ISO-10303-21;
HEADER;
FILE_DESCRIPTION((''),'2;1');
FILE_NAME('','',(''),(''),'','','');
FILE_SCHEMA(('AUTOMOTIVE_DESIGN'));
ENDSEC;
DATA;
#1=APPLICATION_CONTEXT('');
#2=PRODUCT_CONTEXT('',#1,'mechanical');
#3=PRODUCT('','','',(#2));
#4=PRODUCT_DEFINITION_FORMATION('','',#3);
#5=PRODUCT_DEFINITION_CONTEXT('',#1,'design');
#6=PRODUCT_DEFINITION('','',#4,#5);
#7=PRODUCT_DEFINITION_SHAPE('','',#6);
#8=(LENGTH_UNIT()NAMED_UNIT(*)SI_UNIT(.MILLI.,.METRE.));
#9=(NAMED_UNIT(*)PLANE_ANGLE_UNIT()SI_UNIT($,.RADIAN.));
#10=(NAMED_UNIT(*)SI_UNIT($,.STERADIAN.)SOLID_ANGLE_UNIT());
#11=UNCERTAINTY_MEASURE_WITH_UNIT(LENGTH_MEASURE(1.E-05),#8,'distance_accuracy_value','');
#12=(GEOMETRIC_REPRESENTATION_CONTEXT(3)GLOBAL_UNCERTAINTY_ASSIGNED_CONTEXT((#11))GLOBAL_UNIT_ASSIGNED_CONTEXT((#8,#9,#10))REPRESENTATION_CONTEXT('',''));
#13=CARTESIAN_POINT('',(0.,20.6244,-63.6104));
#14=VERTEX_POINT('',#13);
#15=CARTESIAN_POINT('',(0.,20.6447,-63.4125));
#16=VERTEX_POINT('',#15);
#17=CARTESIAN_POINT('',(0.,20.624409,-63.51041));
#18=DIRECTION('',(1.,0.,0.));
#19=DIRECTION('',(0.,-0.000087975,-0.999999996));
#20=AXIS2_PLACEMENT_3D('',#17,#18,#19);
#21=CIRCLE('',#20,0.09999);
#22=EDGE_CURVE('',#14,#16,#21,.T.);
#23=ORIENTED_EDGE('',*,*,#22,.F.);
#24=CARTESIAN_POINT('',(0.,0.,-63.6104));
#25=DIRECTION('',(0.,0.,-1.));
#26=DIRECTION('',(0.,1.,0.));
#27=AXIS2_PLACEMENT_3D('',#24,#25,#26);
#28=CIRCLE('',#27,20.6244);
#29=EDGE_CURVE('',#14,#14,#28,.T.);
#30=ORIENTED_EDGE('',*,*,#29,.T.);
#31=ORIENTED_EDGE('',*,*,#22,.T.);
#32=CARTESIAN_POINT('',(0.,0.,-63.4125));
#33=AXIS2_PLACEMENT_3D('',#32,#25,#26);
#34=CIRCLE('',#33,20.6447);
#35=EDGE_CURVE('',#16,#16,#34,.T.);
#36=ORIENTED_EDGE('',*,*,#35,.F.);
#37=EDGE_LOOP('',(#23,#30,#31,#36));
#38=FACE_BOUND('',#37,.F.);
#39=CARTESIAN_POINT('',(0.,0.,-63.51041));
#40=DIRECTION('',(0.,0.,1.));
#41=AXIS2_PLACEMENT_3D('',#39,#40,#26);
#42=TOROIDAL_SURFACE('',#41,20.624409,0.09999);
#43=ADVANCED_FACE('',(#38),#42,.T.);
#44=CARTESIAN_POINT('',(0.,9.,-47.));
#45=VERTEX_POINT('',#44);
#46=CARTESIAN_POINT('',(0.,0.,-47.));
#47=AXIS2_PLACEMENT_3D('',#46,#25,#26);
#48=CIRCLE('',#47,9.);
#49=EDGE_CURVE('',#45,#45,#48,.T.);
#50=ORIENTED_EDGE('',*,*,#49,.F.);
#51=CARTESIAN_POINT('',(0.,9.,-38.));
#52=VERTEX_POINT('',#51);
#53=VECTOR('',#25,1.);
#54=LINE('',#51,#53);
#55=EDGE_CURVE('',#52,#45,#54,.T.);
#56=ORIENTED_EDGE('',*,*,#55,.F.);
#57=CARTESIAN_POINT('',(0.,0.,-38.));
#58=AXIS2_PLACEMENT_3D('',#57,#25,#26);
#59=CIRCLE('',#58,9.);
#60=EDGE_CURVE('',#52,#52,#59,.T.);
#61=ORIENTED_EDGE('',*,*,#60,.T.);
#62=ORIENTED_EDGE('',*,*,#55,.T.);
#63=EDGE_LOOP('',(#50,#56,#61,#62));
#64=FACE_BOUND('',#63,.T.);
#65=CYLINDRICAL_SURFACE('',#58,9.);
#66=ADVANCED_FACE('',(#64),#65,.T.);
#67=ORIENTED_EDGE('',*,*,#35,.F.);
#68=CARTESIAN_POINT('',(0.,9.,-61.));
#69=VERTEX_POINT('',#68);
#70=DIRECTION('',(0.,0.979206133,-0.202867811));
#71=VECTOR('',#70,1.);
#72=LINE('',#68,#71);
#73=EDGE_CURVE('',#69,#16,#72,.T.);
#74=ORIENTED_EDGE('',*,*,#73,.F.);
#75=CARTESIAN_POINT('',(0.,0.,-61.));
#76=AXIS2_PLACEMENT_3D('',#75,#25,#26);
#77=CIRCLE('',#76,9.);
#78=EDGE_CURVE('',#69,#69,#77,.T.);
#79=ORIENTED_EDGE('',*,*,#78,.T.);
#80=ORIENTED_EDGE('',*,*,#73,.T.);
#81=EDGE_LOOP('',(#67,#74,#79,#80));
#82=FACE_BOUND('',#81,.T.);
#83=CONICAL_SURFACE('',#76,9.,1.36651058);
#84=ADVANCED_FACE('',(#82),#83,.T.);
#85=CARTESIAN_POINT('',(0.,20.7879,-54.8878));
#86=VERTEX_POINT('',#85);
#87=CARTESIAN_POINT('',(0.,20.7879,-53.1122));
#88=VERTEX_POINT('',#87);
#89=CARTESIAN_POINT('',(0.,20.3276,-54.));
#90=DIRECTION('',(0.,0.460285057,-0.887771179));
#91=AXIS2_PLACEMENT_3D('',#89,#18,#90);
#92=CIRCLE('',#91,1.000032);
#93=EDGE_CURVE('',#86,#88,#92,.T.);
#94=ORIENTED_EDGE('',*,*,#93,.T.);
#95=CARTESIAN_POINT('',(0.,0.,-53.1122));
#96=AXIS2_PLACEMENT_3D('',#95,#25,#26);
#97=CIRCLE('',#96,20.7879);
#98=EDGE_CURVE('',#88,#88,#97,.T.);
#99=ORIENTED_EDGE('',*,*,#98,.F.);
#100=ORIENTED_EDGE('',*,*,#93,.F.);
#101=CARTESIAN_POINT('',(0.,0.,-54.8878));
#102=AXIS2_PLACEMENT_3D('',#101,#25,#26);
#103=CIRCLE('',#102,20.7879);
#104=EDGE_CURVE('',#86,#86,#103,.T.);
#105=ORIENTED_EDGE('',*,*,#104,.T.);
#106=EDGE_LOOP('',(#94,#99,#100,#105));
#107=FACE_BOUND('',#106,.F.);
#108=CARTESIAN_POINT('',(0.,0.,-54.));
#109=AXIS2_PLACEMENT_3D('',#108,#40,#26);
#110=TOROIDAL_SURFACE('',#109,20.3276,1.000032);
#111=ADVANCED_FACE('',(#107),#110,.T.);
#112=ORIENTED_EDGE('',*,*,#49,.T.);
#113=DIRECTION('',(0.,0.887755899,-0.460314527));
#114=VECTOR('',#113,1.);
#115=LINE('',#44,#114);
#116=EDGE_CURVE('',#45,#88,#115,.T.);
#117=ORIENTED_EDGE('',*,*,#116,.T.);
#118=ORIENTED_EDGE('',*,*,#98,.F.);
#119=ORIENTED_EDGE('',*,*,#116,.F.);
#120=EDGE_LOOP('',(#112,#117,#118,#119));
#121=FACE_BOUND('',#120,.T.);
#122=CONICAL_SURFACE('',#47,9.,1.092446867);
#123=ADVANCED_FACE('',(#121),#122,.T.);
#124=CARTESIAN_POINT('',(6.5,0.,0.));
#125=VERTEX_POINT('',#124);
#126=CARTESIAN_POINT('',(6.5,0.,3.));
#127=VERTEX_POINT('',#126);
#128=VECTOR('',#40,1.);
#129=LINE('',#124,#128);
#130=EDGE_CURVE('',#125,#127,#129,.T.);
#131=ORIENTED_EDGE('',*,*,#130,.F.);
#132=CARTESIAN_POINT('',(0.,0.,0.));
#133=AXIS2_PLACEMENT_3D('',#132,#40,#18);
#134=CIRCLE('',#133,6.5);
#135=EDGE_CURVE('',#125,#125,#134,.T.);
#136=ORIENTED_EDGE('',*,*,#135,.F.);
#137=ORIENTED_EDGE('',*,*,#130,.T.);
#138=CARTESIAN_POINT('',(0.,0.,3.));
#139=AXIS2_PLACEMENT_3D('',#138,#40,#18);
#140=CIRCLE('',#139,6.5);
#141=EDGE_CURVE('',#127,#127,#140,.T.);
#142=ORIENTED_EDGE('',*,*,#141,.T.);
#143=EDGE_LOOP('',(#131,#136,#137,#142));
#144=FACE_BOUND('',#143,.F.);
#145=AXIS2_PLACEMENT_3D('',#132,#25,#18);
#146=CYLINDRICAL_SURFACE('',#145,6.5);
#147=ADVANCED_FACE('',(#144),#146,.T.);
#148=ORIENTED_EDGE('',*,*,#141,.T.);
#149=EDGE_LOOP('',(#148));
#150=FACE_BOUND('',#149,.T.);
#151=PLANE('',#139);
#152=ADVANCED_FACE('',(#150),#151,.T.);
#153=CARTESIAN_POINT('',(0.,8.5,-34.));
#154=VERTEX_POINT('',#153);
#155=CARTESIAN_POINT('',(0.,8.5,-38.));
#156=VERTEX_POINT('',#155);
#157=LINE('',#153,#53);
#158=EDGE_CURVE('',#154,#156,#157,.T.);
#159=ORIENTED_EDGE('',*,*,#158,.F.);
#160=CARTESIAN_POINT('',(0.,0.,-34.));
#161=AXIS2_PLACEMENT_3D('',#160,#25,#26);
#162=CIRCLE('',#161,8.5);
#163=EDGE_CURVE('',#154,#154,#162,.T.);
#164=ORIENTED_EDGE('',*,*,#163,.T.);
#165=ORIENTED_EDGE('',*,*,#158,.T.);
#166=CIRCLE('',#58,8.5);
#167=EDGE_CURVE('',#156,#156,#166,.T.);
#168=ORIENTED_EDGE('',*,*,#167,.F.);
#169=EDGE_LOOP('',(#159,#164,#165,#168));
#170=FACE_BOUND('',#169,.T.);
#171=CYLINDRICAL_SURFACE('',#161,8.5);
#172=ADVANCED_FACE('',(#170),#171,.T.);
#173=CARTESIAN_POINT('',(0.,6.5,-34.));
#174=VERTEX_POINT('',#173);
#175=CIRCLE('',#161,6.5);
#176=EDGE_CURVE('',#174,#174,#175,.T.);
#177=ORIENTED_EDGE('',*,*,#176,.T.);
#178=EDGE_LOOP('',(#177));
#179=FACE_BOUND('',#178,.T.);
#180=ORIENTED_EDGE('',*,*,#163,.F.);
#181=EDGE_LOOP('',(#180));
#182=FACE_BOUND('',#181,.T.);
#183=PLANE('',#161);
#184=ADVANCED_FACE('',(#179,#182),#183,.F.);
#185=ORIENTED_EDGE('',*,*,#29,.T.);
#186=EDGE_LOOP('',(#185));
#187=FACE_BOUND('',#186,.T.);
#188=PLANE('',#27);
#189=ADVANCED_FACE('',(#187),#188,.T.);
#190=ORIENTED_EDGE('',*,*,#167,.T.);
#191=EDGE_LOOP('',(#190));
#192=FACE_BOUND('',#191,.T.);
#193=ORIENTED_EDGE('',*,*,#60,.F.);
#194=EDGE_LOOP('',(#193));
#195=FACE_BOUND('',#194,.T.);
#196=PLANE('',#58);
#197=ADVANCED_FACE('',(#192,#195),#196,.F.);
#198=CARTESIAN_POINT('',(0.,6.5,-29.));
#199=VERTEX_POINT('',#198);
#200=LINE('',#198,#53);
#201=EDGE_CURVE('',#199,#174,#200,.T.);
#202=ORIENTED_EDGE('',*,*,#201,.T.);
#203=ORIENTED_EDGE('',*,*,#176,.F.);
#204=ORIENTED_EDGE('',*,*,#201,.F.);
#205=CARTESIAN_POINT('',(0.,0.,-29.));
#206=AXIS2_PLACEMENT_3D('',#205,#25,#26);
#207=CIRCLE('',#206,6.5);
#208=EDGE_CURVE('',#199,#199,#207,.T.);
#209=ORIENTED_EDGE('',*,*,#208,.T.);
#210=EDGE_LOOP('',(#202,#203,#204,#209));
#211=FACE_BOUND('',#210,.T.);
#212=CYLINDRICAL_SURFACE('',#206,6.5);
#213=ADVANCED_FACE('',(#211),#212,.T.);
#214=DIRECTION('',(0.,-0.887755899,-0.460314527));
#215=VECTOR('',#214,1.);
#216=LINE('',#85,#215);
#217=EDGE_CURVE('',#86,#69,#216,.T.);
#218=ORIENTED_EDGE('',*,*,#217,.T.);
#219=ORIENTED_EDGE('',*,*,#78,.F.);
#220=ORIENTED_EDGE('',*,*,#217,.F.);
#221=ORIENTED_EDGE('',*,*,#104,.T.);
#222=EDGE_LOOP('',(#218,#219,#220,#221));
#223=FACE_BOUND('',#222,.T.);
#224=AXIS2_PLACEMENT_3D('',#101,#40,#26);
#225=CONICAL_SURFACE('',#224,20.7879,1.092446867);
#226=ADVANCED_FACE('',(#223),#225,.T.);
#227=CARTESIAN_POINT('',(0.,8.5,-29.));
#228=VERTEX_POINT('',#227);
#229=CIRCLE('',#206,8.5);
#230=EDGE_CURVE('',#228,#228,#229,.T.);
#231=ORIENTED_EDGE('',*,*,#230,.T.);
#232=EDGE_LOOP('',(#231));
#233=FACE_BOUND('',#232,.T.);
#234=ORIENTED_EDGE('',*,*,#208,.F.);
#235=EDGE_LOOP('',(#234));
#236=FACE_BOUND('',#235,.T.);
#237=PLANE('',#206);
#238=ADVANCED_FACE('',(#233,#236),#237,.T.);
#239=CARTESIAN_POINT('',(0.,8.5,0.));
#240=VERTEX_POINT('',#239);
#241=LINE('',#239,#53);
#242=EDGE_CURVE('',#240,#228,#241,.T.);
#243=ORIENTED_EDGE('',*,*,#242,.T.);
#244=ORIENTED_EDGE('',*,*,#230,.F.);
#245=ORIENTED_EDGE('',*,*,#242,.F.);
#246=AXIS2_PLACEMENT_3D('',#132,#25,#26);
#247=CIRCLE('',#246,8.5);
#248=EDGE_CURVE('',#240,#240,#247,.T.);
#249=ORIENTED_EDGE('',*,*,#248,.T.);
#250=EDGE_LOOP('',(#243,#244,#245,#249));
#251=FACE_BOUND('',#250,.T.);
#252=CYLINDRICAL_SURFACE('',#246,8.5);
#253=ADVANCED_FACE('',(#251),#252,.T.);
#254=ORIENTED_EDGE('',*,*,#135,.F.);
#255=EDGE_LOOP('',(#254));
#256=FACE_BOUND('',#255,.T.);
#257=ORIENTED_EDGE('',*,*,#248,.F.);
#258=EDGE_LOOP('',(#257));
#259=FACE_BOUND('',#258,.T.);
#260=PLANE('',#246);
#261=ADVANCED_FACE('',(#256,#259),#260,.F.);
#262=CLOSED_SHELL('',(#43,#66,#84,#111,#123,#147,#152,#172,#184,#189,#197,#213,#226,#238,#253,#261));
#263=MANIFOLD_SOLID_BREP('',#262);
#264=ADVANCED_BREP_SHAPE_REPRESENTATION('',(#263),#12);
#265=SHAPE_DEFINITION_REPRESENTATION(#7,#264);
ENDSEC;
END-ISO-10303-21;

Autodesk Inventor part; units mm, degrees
ref_plane "YZ Plane" through (0, 0, 0) normal (1, 0, 0) x (0, 1, 0)
ref_plane "XZ Plane" through (0, 0, 0) normal (0, 1, 0) x (-1, 0, 0)
ref_plane "XY Plane" through (0, 0, 0) normal (0, 0, 1) x (1, 0, 0)
sketch "Boceto1" plane through (0, 0, 0) normal (1, 0, 0) x (0, 1, 0)
  line L0 (0, 0) -> (8.5, 0)
  line L1 (8.5, 0) -> (8.5, -29)
  line L2 (8.5, -29) -> (0, -29)
  line L3 (0, -29) -> (0, 0)
  line L4 (0, -29) -> (6.5, -29)
  line L5 (6.5, -29) -> (6.5, -34)
  line L6 (6.5, -34) -> (0, -34)
  line L7 (0, -34) -> (0, -29)
  line L8 (0, -34) -> (8.5, -34)
  line L9 (8.5, -34) -> (8.5, -38)
  line L10 (8.5, -38) -> (0, -38)
  line L11 (0, -38) -> (0, -34)
  line L12 (0, -38) -> (9, -38)
  line L13 (9, -38) -> (9, -47)
  line L14 (9, -47) -> (0, -47)
  line L15 (0, -47) -> (0, -38)
  line L16 (9, -47) -> (20.7879, -53.1122)
  line L17 (20.7879, -54.8878) -> (9, -61)
  line L18 (9, -61) -> (20.6447, -63.4125)
  line L19 (20.6244, -63.6104) -> (7.1543, -63.6104)
  line L20 (7.1543, -63.6104) -> (0, -63.6104)
  line L21 (0, -63.6104) -> (0, -47)
  arc A0 (20.7879, -54.8878) -> (20.7879, -53.1122) centre (20.3276, -54) ccw
  arc A1 (20.6244, -63.6104) -> (20.6447, -63.4125) centre (20.6244, -63.5104) ccw
  line L22 (0, 0) -> (0, -74.1189)
  point P0 (22.5, -54)
  point P1 (21.6, -63.6104)
  dimension "d0" = 8.5
  dimension "d1" = 29
  dimension "d2" = 6.5
  dimension "d3" = 5
  dimension "d4" = 8.5
  dimension "d5" = 4
  dimension "d6" = 9
  dimension "d7" = 9
  dimension "d8" = 14
  dimension "d10" = 22.5
  dimension "d11" = 7
  dimension "d12" = 7
  dimension "d14" = 21.6
  dimension "d15" = 1
  dimension "d16" = 0.1
revolve "Revolución1" add sketch "Boceto1" angle 360 about axis through (0, 0, 0) along (0, 0, -1)
sketch "Boceto2" plane through (0, 0, 0) normal (0, 0, 1) x (1, 0, 0)
  circle A0 centre (0, 0) radius 6.5
  dimension "d18" = 13
extrude "Extrusión1" add sketch "Boceto2" along normal blind 3
properties part number "Ventosa"
